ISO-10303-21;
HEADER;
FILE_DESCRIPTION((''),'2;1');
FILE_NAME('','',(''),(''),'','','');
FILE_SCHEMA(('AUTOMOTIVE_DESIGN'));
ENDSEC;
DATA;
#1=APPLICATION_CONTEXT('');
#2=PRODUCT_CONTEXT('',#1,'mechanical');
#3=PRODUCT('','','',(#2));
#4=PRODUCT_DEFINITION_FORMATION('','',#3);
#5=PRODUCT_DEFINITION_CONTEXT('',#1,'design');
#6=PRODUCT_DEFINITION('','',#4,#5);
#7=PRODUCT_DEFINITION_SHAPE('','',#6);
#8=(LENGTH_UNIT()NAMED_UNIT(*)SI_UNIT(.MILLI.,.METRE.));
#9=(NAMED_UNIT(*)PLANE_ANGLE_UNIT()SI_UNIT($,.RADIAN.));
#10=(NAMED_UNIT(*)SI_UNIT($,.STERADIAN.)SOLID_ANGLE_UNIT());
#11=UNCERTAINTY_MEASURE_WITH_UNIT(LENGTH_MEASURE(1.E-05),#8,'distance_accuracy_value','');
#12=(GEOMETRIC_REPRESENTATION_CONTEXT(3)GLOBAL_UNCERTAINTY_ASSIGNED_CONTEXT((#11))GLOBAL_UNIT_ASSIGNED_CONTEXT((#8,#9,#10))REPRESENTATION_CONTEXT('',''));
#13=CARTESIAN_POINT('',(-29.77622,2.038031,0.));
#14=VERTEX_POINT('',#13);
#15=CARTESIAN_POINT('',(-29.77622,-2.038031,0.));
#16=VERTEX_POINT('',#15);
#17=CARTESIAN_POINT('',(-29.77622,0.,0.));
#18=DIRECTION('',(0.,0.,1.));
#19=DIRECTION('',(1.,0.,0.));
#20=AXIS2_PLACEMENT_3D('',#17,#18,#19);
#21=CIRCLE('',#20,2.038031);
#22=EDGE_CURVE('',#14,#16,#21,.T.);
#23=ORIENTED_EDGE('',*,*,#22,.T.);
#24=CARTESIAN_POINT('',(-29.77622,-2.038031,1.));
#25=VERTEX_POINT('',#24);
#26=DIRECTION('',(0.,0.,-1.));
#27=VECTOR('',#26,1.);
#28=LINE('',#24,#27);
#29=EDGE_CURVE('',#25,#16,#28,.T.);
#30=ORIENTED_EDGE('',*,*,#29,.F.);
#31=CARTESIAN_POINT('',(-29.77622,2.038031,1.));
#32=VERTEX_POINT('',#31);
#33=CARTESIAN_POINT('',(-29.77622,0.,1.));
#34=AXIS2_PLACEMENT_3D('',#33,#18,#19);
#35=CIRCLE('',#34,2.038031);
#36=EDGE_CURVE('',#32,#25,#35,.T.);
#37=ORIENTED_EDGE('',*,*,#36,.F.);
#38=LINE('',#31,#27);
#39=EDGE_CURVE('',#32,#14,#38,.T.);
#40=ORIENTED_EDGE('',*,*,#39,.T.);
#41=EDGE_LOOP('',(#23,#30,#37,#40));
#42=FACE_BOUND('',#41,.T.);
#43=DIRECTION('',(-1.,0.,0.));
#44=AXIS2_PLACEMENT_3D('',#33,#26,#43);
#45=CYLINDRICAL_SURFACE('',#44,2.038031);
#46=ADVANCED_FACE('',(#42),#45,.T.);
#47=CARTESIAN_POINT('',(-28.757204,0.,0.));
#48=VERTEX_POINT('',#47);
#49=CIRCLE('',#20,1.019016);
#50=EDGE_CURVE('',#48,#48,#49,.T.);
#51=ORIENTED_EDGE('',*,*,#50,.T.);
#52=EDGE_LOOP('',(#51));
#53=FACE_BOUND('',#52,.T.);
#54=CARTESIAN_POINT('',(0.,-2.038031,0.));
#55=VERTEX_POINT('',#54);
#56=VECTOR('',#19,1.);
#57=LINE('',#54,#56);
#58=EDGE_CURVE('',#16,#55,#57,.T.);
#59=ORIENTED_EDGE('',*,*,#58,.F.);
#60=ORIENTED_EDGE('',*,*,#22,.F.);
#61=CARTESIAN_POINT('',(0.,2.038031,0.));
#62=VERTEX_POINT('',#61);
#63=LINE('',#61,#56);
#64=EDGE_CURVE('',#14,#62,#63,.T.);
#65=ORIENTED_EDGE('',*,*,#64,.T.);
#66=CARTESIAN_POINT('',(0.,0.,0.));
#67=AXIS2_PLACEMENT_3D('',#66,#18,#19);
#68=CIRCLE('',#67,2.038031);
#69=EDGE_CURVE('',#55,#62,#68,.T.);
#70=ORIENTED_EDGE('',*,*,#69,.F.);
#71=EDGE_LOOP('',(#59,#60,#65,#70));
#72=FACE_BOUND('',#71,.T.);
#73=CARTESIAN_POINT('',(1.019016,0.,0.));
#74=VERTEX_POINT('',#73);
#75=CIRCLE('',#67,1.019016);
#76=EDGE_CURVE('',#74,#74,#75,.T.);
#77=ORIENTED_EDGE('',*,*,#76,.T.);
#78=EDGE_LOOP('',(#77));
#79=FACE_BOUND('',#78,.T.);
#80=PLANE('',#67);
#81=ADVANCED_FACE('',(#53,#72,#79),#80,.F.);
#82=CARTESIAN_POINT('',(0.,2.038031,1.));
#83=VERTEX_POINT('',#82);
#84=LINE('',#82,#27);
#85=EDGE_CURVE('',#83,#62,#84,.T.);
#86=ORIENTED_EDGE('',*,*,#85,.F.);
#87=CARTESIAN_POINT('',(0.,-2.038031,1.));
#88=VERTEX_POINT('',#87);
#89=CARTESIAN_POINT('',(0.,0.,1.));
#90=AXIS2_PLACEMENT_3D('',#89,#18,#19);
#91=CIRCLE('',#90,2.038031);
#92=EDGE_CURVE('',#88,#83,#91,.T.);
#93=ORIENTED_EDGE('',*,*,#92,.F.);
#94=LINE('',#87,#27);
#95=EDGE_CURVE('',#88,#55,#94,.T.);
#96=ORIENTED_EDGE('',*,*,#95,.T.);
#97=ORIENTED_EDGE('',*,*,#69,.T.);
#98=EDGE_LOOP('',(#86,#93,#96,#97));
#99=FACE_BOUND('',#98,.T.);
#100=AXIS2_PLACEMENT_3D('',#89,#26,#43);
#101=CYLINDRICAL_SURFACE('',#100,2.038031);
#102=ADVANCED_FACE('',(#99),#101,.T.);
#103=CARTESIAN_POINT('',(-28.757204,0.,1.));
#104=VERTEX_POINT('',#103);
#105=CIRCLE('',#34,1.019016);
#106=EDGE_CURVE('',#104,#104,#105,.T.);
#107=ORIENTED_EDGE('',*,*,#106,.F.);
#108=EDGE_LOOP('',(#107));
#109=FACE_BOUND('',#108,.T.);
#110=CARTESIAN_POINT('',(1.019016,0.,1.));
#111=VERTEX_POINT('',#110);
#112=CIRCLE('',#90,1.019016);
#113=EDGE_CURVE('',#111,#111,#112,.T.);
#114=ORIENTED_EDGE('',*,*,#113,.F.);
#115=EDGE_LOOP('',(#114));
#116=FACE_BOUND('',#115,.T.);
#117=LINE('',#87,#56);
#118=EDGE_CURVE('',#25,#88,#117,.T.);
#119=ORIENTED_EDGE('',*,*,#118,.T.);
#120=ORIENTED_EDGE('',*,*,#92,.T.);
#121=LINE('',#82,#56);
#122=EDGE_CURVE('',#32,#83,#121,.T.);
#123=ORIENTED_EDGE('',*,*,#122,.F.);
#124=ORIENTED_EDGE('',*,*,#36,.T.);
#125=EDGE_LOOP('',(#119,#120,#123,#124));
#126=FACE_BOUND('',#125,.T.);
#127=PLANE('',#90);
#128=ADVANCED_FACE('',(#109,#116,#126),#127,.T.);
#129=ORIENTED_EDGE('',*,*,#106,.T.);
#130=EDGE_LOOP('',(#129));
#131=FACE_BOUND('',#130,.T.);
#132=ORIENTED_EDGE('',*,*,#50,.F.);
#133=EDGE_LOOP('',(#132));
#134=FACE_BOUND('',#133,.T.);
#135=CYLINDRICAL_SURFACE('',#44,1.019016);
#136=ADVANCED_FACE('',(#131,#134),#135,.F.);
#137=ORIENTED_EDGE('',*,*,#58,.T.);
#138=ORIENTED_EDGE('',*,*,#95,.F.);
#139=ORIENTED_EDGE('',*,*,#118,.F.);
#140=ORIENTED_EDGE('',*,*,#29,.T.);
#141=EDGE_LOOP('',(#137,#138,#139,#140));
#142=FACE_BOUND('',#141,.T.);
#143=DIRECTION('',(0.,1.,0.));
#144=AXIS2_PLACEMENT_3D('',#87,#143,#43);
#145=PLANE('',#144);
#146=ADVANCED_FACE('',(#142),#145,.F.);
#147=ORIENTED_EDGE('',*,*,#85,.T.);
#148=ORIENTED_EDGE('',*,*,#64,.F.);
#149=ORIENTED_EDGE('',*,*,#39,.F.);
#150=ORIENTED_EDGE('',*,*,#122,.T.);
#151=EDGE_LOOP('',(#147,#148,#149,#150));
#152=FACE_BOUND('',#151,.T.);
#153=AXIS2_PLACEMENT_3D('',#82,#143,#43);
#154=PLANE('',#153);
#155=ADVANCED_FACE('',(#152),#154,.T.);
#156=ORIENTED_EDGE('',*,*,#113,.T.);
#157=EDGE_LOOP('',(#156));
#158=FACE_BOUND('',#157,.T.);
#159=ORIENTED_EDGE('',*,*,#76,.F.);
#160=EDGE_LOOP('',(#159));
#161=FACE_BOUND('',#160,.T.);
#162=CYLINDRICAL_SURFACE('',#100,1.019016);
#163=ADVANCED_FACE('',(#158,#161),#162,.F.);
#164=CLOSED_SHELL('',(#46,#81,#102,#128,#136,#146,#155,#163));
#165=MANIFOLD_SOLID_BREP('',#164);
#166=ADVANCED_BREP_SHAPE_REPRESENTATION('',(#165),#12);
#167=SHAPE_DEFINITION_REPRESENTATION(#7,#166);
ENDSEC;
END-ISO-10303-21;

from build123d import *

# Parameters (mm, degrees)
SKETCH1_R      = 1.01901554
EXTRUDE1_DEPTH = 1


with BuildPart() as part:
    # Sketch1 → Extrude1 (new body)
    with BuildSketch(Plane.XY):
        with BuildLine():
            Line((0, 2.038031079), (-29.77622, 2.038031079))
            ThreePointArc((-29.77622, 2.038031079), (-31.814251079, 0), (-29.77622, -2.038031079))
            Line((-29.77622, -2.038031079), (0, -2.038031079))
            ThreePointArc((0, -2.038031079), (2.038031079, 0), (0, 2.038031079))
        make_face()
        with Locations((-29.77622, 0)):
            Circle(SKETCH1_R, mode=Mode.SUBTRACT)
        Circle(SKETCH1_R, mode=Mode.SUBTRACT)
    extrude(amount=EXTRUDE1_DEPTH)


solid = part.part
